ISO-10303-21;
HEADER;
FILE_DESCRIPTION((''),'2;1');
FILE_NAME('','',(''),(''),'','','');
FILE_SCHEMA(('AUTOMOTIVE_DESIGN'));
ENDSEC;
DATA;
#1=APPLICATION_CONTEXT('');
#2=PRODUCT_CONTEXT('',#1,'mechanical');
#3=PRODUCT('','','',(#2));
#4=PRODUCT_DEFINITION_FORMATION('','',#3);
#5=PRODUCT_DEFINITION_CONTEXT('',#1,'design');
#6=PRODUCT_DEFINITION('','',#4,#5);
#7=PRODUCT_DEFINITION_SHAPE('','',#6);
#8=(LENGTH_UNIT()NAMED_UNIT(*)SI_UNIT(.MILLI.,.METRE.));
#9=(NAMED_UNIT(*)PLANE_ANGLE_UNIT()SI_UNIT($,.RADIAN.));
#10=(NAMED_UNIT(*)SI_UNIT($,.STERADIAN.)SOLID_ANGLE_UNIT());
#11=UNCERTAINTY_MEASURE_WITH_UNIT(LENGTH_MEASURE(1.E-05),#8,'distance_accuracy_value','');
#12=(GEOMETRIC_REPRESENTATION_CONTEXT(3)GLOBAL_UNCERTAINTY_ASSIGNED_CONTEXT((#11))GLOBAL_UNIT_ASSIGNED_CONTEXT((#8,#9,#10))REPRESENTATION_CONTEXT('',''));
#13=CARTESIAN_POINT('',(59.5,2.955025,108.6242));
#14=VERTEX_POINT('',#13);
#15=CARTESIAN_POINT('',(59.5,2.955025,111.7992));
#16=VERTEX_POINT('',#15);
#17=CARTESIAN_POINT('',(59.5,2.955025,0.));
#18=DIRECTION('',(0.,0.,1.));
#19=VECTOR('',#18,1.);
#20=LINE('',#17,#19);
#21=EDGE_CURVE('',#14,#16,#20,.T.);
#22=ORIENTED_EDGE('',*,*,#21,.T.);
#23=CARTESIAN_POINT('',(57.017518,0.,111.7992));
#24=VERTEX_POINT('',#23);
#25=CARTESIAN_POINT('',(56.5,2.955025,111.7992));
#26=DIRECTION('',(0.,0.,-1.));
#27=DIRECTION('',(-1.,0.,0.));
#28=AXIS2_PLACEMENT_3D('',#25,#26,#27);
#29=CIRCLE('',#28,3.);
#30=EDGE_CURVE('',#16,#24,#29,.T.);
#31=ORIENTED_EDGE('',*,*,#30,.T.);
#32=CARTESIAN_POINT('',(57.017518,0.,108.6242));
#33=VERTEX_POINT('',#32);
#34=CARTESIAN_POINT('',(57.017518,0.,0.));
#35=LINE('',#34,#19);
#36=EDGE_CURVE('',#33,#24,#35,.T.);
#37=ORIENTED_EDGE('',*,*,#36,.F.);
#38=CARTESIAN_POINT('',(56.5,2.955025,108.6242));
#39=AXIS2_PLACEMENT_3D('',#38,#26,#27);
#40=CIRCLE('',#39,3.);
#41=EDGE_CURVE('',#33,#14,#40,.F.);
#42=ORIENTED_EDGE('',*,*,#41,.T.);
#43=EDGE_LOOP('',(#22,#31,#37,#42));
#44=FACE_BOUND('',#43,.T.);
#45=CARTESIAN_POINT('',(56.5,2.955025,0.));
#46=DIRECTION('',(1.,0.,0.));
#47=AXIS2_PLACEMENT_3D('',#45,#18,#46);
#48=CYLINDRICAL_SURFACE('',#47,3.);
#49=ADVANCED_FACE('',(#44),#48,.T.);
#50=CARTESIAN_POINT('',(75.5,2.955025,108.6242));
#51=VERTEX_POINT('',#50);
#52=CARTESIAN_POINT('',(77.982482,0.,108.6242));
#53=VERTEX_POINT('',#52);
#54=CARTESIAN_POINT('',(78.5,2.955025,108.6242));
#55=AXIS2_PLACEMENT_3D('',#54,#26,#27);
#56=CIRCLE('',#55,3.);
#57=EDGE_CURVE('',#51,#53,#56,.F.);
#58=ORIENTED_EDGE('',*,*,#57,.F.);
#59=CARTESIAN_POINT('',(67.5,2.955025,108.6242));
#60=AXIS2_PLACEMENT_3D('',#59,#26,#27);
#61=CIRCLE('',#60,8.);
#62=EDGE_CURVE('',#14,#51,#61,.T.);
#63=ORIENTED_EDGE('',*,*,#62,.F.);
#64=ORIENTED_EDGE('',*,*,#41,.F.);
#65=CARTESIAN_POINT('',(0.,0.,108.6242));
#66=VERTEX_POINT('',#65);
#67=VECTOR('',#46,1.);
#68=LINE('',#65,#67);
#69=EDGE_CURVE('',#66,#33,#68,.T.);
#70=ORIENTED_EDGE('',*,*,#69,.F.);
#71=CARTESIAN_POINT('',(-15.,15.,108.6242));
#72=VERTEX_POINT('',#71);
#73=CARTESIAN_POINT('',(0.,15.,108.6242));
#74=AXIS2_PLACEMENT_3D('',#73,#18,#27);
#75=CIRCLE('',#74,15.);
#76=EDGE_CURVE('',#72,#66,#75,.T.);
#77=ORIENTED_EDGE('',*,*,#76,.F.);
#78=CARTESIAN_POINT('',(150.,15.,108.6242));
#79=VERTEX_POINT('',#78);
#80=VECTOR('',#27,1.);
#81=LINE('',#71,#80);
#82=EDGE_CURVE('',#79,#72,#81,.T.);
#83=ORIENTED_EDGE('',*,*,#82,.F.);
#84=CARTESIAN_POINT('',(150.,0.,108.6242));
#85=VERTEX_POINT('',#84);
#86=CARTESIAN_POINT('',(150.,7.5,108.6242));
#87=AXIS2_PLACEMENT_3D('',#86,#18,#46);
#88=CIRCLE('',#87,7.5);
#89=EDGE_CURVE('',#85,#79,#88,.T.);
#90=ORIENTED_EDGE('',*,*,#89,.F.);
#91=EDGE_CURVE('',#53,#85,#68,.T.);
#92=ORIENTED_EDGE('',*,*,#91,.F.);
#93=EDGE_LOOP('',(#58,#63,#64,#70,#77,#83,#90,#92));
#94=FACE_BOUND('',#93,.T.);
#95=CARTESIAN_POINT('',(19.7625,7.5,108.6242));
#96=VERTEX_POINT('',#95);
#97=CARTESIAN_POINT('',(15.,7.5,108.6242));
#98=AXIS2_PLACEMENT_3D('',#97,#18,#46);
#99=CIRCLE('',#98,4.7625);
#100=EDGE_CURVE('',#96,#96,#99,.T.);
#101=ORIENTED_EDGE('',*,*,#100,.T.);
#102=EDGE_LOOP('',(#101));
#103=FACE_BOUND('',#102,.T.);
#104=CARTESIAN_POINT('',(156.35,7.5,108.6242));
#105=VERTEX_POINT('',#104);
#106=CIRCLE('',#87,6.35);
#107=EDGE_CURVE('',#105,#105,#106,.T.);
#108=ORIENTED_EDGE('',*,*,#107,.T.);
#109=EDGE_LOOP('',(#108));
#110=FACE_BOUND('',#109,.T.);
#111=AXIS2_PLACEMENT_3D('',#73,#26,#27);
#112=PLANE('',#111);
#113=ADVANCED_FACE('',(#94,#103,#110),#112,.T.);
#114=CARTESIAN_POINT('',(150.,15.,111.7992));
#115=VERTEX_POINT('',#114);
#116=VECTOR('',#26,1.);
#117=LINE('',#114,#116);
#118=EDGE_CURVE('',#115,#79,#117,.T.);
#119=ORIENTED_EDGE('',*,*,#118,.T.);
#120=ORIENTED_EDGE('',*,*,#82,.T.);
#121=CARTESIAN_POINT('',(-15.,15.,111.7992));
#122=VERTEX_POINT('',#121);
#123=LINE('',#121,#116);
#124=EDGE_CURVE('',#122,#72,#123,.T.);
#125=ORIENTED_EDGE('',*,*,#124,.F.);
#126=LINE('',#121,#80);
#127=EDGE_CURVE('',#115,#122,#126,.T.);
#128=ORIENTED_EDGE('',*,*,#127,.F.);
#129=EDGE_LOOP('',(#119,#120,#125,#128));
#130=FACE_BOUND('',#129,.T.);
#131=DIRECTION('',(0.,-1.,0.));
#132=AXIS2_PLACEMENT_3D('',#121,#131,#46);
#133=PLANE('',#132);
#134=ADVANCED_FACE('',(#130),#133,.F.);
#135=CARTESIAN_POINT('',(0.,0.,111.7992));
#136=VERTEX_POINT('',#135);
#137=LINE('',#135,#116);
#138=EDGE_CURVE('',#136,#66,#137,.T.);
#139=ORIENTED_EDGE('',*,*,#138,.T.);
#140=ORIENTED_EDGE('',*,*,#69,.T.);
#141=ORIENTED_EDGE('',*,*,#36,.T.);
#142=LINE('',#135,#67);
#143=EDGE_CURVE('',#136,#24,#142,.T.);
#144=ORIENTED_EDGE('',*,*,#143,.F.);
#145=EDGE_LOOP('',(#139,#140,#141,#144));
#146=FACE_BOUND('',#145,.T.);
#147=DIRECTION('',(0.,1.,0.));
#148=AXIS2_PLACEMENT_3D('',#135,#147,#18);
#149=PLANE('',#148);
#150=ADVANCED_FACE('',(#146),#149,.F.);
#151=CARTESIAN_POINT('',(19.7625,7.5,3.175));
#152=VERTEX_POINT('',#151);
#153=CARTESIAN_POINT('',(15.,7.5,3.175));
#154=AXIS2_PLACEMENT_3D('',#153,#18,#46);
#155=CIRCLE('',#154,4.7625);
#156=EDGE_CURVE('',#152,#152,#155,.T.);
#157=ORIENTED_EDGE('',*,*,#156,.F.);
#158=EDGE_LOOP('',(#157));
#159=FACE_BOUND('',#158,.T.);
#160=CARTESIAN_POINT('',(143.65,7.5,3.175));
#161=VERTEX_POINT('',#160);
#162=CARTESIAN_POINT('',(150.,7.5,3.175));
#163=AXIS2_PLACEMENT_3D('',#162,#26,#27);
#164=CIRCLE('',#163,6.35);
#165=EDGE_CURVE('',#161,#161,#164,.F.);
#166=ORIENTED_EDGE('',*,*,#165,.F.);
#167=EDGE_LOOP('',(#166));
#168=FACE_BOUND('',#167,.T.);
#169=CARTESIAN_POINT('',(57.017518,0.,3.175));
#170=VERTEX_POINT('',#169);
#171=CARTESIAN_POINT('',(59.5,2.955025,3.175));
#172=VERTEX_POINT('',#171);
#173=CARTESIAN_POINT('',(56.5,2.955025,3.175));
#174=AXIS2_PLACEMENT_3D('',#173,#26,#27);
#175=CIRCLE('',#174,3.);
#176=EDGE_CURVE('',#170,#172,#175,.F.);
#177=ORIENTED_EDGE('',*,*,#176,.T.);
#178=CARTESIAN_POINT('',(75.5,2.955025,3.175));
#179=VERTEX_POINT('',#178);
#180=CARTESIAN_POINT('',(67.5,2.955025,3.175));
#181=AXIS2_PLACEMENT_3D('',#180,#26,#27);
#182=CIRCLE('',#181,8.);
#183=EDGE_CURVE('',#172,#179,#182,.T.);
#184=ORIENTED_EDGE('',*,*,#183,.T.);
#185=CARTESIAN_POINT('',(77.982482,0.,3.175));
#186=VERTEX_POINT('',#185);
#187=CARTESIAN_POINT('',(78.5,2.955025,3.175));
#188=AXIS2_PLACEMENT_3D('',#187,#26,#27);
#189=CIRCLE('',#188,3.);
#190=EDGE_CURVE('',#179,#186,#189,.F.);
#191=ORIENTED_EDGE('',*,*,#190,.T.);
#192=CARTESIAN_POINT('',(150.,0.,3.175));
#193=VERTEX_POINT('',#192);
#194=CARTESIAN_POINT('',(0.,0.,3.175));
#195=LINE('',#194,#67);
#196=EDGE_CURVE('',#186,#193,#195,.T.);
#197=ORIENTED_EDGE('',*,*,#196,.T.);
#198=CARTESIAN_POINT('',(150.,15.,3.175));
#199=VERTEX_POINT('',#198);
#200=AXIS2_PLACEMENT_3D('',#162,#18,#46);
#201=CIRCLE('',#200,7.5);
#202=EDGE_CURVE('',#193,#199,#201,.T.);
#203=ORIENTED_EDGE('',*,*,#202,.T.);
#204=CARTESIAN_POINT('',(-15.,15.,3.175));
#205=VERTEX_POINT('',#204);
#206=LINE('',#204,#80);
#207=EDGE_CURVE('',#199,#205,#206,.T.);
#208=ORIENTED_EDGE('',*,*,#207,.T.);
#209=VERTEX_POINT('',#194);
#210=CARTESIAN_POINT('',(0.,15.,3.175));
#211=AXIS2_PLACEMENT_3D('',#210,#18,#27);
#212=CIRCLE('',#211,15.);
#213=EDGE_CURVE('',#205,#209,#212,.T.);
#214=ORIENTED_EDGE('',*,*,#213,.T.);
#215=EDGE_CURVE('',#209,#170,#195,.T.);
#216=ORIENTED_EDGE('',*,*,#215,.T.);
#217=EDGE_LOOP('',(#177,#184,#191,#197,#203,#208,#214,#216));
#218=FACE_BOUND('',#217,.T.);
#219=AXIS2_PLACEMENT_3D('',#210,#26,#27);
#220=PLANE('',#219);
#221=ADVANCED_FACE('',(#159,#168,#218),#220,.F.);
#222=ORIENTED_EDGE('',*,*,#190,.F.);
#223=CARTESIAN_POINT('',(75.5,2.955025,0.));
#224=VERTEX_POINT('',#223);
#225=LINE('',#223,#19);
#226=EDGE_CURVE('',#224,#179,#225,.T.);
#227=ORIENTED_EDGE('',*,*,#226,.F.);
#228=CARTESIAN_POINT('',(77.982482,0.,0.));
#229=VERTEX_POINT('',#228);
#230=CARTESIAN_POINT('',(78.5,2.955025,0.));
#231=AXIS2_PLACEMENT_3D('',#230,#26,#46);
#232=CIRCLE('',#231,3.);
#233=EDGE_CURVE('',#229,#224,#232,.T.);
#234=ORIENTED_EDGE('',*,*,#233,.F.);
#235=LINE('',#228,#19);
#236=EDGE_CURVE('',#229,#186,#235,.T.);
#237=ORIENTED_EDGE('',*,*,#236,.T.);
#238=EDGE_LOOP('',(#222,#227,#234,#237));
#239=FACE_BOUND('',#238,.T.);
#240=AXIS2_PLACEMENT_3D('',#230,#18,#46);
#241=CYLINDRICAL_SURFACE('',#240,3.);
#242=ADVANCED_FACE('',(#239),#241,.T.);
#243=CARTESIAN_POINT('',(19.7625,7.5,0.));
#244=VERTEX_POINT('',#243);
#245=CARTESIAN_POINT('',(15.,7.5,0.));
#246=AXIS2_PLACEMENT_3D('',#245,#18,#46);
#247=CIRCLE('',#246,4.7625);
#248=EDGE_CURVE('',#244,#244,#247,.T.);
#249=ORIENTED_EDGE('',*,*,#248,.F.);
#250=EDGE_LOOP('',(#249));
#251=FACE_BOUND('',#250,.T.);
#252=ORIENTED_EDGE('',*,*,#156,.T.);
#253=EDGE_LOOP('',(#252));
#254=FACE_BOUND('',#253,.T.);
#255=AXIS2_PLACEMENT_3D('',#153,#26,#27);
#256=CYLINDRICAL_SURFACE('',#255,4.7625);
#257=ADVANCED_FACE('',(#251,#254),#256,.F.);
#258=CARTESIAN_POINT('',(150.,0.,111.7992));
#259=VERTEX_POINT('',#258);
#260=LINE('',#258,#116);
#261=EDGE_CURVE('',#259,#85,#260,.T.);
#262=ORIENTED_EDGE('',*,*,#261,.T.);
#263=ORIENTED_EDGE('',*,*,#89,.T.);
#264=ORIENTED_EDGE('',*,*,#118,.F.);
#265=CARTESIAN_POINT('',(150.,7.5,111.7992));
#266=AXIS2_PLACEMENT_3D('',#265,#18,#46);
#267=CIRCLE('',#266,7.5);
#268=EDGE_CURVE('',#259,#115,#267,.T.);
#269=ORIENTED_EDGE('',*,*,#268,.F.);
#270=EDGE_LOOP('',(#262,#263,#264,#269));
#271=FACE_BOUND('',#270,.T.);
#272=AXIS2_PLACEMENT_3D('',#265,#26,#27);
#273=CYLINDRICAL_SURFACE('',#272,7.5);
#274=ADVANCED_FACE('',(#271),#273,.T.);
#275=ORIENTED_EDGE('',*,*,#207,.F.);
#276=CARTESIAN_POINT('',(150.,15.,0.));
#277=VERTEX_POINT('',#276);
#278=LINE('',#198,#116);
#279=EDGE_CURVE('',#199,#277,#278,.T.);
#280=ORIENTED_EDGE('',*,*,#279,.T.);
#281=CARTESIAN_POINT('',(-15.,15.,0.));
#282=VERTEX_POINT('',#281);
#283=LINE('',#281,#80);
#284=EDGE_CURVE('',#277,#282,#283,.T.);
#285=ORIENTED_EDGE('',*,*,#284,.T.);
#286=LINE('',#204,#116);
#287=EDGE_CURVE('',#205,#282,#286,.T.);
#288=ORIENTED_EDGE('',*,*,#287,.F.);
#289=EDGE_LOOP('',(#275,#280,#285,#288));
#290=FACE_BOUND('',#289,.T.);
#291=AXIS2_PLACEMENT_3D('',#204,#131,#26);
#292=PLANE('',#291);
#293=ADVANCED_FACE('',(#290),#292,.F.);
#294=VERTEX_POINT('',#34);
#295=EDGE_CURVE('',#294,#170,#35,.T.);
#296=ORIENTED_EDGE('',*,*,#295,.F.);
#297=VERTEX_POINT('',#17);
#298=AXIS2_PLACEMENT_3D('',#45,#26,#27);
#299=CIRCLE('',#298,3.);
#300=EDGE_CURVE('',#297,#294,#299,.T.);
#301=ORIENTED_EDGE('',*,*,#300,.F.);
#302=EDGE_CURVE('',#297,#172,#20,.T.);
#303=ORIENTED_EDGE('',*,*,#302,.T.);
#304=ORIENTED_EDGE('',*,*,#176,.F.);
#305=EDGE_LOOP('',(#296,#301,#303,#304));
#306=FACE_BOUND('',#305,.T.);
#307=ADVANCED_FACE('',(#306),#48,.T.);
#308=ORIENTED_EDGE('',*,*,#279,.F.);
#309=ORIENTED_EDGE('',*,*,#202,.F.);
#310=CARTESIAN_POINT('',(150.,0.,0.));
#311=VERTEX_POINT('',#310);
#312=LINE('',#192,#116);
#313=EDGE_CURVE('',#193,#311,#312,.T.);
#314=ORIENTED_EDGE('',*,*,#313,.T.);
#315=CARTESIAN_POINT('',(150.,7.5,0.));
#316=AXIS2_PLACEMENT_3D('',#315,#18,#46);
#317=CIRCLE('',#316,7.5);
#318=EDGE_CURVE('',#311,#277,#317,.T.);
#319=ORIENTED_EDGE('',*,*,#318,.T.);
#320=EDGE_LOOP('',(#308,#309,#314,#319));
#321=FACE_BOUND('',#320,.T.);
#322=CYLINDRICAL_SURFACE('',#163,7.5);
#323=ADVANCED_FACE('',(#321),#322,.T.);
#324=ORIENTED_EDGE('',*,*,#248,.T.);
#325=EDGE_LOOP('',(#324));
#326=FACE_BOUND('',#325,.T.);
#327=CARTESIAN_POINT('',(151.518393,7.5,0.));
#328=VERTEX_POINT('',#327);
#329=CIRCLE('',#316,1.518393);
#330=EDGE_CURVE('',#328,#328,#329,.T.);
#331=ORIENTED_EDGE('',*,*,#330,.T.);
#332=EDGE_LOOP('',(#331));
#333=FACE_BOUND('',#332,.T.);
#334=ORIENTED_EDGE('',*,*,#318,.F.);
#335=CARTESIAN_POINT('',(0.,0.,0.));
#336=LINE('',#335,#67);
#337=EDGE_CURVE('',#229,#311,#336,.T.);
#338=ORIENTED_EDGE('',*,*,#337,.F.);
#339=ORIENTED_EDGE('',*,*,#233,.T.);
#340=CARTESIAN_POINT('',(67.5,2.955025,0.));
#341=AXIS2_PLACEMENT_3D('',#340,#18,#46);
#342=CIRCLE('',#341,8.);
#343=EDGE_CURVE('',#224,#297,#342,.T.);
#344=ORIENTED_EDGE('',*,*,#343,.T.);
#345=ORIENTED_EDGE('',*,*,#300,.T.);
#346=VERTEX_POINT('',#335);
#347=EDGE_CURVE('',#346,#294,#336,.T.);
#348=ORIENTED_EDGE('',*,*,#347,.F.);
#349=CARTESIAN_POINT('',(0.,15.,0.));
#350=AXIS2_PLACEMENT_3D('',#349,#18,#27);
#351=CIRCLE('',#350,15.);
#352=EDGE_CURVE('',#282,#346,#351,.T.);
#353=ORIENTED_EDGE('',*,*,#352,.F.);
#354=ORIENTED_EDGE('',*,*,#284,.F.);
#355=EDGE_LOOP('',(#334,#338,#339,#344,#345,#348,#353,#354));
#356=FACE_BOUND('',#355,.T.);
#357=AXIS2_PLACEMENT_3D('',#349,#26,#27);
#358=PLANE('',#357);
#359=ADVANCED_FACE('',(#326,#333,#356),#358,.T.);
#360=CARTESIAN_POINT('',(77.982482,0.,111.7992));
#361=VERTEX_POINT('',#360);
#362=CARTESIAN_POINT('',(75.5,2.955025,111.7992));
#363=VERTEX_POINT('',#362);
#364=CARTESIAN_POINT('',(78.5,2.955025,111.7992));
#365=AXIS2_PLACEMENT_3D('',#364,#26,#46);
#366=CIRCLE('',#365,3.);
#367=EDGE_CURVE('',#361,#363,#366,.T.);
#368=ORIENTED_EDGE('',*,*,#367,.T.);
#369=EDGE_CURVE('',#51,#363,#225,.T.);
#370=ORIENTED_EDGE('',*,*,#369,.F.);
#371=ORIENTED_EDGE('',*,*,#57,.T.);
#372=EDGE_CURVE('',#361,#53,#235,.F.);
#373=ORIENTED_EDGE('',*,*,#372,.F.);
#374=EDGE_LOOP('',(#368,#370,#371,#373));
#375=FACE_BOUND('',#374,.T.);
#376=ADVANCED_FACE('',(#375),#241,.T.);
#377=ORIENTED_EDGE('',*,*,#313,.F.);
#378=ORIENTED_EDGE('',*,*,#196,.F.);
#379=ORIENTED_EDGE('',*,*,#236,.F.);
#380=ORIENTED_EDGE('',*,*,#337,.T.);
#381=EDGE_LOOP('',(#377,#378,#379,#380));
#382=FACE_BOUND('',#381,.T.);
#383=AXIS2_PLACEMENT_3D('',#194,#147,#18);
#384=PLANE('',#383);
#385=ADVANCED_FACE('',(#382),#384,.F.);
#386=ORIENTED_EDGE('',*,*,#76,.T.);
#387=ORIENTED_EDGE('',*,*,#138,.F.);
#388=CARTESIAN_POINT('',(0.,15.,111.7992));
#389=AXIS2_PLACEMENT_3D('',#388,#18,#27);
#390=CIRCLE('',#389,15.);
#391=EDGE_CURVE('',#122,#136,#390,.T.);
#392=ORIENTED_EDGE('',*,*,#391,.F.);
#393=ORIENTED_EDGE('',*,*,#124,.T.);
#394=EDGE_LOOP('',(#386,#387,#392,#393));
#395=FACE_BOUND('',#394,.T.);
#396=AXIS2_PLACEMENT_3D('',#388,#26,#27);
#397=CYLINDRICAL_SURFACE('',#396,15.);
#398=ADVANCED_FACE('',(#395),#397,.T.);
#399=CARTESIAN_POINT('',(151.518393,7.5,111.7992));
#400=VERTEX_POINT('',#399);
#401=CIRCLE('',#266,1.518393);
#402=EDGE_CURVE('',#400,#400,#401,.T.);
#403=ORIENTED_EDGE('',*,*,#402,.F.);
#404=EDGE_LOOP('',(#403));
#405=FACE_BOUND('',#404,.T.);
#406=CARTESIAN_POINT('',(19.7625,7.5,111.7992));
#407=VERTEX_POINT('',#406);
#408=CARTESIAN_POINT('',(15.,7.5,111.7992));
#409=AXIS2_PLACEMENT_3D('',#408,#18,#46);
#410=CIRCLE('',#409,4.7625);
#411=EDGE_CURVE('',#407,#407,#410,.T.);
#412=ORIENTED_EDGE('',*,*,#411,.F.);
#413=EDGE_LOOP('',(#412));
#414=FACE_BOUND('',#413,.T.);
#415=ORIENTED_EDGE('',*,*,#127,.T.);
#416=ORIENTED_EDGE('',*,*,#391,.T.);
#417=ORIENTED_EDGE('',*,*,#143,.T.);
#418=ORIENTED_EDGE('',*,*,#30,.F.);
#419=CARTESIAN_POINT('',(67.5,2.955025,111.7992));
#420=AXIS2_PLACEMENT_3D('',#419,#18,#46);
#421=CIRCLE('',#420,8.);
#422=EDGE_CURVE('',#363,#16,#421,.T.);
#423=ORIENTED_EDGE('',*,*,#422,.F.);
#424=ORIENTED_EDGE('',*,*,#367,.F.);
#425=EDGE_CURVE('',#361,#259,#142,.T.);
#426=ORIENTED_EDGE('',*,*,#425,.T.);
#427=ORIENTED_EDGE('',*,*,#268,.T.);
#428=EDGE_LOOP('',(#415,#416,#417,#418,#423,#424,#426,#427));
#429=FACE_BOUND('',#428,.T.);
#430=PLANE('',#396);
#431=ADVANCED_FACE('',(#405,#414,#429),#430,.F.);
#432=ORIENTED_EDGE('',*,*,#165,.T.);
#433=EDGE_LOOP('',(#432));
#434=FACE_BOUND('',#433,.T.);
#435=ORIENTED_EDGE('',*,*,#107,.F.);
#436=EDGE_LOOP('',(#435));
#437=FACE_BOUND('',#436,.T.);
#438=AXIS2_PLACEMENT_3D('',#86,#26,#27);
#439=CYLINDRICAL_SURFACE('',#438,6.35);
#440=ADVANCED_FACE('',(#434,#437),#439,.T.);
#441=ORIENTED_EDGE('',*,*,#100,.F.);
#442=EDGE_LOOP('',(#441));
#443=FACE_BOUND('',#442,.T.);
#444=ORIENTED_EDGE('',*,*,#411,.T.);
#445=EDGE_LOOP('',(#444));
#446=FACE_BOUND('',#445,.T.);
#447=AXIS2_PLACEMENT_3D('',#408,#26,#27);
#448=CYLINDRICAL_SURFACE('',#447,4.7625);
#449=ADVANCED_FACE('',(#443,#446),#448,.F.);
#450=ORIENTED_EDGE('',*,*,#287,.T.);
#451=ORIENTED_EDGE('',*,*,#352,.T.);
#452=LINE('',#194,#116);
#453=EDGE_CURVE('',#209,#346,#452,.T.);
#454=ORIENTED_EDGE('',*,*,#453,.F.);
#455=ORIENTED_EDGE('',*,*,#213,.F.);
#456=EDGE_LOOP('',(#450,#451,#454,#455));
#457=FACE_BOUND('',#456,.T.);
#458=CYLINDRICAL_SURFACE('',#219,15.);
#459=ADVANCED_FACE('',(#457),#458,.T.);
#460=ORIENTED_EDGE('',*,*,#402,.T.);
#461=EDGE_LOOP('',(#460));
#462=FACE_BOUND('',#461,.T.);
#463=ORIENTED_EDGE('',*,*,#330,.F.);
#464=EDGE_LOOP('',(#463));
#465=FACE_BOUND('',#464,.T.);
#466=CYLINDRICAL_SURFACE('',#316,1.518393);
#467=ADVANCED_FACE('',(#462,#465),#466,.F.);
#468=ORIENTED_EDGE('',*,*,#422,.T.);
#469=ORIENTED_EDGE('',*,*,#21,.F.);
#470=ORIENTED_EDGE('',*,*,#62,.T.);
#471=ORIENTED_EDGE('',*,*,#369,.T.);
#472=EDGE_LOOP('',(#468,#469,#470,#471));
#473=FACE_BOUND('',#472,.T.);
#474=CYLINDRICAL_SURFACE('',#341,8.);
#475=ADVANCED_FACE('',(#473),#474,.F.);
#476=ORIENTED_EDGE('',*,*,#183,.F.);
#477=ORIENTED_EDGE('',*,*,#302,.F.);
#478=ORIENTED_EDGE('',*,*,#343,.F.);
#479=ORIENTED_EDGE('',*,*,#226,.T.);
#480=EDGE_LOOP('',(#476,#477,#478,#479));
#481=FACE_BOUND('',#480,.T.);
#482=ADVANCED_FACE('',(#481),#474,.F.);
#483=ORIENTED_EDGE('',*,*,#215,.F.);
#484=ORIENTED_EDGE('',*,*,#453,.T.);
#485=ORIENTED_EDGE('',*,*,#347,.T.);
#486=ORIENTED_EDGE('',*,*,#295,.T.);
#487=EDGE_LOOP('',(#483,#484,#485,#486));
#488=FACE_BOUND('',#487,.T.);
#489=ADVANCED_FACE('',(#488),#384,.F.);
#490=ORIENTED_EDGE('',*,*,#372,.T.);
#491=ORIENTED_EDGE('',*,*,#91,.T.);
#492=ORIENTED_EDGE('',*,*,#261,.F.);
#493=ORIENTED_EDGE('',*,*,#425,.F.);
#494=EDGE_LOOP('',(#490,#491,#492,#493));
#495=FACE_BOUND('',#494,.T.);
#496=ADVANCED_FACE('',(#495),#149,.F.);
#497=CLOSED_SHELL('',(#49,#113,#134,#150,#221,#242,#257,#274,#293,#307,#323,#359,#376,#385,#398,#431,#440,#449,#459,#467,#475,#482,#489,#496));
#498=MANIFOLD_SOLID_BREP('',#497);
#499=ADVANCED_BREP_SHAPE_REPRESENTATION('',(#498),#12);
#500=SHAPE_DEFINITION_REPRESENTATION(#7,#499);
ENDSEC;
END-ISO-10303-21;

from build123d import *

# Parameters (mm, degrees)
SKETCH1_R           = 4.7625
BOSS_EXTRUDE1_DEPTH = 3.175
SKETCH2_R           = 6.35
BOSS_EXTRUDE2_DEPTH = 105.4492
SKETCH3_R           = 4.7625
BOSS_EXTRUDE3_DEPTH = 3.175
SKETCH5_R           = 1.518393352
CUT_EXTRUDE1_DEPTH  = 194.727414479


with BuildPart() as part:
    # Sketch1 → Boss-Extrude1 (new body)
    with BuildSketch(Plane.XY):
        with BuildLine():
            Line((0, 0), (150, 0))
            ThreePointArc((150, 0), (157.5, 7.5), (150, 15))
            Line((150, 15), (-15, 15))
            ThreePointArc((-15, 15), (-10.606601718, 4.393398282), (0, 0))
        make_face()
        with Locations((15, 7.5)):
            Circle(SKETCH1_R, mode=Mode.SUBTRACT)
    extrude(amount=BOSS_EXTRUDE1_DEPTH)

    # Sketch2 → Boss-Extrude2 (add)
    with BuildSketch(Plane.XY.offset(3.175)):
        with Locations(Location((150, 7.5, 0), (0, 0, 180))):
            Circle(SKETCH2_R)
    extrude(amount=BOSS_EXTRUDE2_DEPTH)

    # Sketch3 → Boss-Extrude3 (add)
    with BuildSketch(Plane.XY.offset(108.6242)):
        with BuildLine():
            Line((0, 0), (150, 0))
            ThreePointArc((150, 0), (157.5, 7.5), (150, 15))
            Line((150, 15), (-15, 15))
            ThreePointArc((-15, 15), (-10.606601718, 4.393398282), (0, 0))
        make_face()
        with Locations((15, 7.5)):
            Circle(SKETCH3_R, mode=Mode.SUBTRACT)
    extrude(amount=BOSS_EXTRUDE3_DEPTH)

    # Sketch5 → Cut-Extrude1 (cut, through all)
    with BuildSketch(Plane.XY.offset(111.7992)):
        with Locations((150, 7.5)):
            Circle(SKETCH5_R)
        with BuildLine():
            Line((57.017518256, 0), (77.982481744, 0))
            ThreePointArc((77.982481744, 0), (76.202985115, 1.025330402), (75.5, 2.955025356))
            ThreePointArc((75.5, 2.955025356), (67.5, 10.955025356), (59.5, 2.955025356))
            ThreePointArc((59.5, 2.955025356), (58.797014885, 1.025330402), (57.017518256, 0))
        make_face()
    extrude(amount=-CUT_EXTRUDE1_DEPTH, mode=Mode.SUBTRACT)


solid = part.part
